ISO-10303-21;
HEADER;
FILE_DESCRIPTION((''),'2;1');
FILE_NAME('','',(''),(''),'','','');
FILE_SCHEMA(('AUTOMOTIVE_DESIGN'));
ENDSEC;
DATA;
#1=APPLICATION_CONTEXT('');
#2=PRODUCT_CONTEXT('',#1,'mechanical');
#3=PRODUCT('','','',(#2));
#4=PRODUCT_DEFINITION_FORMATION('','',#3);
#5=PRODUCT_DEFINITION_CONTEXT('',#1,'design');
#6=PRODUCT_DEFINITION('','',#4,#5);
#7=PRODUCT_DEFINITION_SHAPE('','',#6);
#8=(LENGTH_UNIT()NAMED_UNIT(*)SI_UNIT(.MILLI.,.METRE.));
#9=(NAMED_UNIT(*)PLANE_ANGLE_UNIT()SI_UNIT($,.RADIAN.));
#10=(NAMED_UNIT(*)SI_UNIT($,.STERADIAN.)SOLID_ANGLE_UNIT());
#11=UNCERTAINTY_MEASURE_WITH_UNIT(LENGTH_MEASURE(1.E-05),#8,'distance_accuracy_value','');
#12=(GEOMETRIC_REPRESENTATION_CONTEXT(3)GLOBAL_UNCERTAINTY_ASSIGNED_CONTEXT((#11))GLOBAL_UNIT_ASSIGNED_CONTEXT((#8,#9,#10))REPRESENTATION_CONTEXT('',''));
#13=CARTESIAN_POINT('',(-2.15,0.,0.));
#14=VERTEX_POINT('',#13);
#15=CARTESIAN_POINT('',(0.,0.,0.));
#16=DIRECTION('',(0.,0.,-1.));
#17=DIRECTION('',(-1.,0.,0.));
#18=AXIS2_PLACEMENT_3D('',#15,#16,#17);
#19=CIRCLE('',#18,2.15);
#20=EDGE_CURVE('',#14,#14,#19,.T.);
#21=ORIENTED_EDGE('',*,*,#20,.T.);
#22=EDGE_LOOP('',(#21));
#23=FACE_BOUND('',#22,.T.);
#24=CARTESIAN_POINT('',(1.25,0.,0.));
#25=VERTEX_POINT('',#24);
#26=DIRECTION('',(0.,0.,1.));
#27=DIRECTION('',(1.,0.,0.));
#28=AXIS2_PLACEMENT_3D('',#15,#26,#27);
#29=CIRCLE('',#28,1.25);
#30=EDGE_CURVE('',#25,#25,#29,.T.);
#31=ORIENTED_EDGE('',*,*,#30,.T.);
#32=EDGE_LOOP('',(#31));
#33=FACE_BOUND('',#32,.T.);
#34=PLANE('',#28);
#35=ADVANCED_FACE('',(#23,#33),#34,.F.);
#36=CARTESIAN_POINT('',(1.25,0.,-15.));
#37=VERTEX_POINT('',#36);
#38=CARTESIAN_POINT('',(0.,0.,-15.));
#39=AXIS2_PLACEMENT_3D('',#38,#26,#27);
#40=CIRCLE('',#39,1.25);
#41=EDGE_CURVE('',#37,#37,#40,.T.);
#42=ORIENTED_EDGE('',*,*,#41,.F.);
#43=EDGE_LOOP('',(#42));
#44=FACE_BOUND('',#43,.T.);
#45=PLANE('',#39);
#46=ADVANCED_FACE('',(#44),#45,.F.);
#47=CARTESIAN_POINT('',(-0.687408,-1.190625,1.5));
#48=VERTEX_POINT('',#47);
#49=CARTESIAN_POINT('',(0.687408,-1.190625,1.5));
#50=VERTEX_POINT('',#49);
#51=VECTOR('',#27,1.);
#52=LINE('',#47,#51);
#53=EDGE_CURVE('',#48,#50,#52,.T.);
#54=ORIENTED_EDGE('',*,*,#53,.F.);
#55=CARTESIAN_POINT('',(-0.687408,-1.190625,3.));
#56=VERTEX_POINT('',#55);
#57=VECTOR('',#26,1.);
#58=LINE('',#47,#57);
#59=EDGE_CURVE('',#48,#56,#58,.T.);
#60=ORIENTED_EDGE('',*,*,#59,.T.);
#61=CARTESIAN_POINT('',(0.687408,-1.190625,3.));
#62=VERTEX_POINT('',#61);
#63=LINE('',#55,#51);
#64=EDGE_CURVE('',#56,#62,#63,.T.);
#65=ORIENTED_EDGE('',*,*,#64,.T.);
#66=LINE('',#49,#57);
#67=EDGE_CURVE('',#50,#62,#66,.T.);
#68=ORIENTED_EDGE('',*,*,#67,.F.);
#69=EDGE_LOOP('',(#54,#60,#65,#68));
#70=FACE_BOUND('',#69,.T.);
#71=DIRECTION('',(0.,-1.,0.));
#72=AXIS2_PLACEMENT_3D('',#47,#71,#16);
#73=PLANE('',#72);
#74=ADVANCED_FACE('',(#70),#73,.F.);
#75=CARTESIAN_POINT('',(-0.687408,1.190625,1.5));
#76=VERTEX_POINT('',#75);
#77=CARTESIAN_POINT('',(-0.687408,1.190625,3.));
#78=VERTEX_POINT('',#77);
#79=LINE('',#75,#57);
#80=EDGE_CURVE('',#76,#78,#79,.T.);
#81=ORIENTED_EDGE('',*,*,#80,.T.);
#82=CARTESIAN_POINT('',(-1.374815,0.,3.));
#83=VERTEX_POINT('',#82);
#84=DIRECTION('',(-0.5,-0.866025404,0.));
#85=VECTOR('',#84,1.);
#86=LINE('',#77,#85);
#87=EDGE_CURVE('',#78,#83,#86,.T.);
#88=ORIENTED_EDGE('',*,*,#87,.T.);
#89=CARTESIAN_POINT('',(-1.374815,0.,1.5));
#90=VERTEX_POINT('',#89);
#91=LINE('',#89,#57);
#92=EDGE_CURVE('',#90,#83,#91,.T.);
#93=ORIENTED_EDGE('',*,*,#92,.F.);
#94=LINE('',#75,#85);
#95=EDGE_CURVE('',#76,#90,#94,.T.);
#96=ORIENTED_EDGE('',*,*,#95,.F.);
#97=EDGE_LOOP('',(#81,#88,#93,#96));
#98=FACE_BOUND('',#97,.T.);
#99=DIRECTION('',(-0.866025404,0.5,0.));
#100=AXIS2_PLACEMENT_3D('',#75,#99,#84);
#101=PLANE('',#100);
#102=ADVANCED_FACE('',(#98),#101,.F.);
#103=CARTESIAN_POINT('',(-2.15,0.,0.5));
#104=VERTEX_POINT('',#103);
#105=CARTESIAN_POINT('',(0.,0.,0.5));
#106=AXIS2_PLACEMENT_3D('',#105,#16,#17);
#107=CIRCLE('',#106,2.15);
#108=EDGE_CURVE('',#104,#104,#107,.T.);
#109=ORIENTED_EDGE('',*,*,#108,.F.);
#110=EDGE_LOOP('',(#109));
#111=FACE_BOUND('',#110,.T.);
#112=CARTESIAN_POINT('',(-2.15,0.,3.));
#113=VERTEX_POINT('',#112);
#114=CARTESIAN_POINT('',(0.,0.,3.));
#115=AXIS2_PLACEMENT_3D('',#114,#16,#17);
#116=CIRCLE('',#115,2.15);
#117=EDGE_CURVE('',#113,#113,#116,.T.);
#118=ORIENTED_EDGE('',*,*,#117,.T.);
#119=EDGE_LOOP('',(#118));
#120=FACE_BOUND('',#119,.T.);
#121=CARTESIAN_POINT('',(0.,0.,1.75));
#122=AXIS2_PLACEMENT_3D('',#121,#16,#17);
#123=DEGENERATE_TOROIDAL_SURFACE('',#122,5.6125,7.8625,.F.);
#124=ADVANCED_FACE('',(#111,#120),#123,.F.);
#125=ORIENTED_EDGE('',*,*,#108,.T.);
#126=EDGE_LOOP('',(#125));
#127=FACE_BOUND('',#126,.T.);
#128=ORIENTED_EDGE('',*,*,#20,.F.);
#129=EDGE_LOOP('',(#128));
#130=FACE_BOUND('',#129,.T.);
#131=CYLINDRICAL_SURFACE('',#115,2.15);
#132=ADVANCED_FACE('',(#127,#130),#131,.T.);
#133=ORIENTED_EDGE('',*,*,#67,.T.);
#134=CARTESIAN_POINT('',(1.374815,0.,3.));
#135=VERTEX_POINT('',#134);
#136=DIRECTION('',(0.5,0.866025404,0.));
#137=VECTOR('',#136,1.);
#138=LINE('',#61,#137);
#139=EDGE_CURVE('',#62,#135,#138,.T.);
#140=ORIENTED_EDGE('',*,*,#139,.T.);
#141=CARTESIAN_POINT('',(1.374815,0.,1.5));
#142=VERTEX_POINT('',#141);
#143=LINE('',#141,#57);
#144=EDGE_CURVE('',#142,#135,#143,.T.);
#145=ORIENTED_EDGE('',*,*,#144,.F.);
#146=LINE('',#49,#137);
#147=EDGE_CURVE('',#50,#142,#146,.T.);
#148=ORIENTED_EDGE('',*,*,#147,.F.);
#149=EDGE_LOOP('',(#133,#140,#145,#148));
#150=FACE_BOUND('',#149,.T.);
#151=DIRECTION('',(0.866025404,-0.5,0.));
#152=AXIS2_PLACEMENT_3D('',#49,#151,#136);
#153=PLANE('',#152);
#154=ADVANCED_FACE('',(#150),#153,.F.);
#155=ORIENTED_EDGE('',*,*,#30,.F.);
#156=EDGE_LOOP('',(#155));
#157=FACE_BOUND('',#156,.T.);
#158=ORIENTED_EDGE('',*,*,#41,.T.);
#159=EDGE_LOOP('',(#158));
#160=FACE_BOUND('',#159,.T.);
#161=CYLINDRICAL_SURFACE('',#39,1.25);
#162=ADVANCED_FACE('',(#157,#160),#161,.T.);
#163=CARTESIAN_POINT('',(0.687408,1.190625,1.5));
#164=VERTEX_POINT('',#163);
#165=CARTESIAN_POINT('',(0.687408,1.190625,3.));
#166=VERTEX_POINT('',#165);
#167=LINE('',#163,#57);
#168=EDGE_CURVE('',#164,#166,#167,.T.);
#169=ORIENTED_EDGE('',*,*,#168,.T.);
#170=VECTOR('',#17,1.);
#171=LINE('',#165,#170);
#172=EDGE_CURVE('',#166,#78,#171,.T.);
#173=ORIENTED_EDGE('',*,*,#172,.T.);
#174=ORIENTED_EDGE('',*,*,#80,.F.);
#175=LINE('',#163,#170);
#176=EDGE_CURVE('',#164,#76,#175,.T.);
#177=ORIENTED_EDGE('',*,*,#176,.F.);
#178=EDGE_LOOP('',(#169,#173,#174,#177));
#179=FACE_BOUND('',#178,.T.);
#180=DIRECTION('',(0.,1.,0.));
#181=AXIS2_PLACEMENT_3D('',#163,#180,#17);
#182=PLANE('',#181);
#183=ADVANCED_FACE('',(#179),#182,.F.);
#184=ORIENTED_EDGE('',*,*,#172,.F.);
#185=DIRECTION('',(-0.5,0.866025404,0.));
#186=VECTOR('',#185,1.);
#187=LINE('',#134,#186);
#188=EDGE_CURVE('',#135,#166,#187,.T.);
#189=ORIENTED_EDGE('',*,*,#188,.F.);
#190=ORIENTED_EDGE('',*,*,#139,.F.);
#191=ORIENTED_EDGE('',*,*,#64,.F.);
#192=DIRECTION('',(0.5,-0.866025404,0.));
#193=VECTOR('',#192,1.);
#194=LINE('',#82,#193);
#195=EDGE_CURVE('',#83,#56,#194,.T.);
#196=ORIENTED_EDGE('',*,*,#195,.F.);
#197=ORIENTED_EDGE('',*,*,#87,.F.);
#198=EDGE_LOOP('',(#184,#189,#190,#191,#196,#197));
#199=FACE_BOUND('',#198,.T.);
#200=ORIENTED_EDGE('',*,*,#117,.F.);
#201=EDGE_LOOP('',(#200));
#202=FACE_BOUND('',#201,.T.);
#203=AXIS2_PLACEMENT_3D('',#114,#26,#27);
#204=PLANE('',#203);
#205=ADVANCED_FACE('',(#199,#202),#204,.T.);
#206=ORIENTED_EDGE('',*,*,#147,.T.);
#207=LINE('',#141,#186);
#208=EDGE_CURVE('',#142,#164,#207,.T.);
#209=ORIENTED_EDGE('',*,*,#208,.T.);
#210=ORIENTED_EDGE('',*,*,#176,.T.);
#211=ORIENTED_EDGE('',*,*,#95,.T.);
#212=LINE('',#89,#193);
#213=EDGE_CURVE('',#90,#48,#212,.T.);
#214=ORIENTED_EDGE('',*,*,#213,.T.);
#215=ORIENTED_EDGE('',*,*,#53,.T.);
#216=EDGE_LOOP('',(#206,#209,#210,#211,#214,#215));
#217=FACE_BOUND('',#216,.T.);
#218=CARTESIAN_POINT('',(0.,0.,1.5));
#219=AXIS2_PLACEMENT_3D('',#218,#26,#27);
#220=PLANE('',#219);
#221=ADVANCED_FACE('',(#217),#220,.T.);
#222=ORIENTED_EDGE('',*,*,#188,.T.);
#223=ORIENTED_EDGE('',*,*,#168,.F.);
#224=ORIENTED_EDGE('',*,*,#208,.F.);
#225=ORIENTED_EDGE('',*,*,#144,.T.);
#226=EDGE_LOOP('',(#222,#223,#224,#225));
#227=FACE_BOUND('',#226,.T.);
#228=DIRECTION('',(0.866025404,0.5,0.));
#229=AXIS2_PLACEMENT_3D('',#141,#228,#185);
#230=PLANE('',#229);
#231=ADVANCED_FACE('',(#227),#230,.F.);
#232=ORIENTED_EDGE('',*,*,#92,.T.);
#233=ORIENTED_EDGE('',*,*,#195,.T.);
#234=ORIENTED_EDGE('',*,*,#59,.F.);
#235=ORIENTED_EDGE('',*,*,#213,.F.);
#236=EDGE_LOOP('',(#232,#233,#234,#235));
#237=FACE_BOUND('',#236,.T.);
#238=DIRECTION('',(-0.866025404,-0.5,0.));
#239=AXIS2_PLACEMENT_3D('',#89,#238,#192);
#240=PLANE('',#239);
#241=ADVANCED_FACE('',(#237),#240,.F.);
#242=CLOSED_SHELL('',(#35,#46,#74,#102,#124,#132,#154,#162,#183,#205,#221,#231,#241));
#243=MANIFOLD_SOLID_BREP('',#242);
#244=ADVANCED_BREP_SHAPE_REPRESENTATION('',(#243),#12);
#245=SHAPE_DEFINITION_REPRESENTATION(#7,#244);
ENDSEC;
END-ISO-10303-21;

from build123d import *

# Parameters (mm, degrees)
SKETCH1_R           = 1.25
BOSS_EXTRUDE1_DEPTH = 15
SKETCH2_R           = 2.25
BOSS_EXTRUDE2_DEPTH = 3
CUT_EXTRUDE1_DEPTH  = 1.5


with BuildPart() as part:
    # Sketch1 → Boss-Extrude1 (new body)
    with BuildSketch(Plane.XY):
        Circle(SKETCH1_R)
    extrude(amount=-BOSS_EXTRUDE1_DEPTH)

    # Sketch2 → Boss-Extrude2 (add)
    with BuildSketch(Plane.XY):
        Circle(SKETCH2_R)
    extrude(amount=BOSS_EXTRUDE2_DEPTH)

    # Sketch3 → Cut-Revolve1 (revolve, cut)
    with BuildSketch(Plane(origin=(0, 0, 0), x_dir=(0, 0, -1), z_dir=(1, 0, 0)), mode=Mode.PRIVATE) as cut_revolve1_sk:
        with BuildLine():
            Line((-3, 2.15), (-3, 2.75))
            Line((-3, 2.75), (0, 2.75))
            Line((0, 2.75), (0, 2.15))
            Line((0, 2.15), (-0.5, 2.15))
            ThreePointArc((-0.5, 2.15), (-1.75, 2.25), (-3, 2.15))
        make_face()
    revolve(cut_revolve1_sk.sketch.rotate(Axis((0, 0, 3), (0, 0, 1)), 90), axis=Axis((0, 0, 3), (0, 0, 1)), mode=Mode.SUBTRACT)

    # Sketch4 → Cut-Extrude1 (cut)
    with BuildSketch(Plane.XY.offset(3)):
        Polygon((1.374815329, 0), (0.687407664, 1.190625), (-0.687407664, 1.190625), (-1.374815329, 0), (-0.687407664, -1.190625), (0.687407664, -1.190625), align=None)
    extrude(amount=-CUT_EXTRUDE1_DEPTH, mode=Mode.SUBTRACT)


solid = part.part
